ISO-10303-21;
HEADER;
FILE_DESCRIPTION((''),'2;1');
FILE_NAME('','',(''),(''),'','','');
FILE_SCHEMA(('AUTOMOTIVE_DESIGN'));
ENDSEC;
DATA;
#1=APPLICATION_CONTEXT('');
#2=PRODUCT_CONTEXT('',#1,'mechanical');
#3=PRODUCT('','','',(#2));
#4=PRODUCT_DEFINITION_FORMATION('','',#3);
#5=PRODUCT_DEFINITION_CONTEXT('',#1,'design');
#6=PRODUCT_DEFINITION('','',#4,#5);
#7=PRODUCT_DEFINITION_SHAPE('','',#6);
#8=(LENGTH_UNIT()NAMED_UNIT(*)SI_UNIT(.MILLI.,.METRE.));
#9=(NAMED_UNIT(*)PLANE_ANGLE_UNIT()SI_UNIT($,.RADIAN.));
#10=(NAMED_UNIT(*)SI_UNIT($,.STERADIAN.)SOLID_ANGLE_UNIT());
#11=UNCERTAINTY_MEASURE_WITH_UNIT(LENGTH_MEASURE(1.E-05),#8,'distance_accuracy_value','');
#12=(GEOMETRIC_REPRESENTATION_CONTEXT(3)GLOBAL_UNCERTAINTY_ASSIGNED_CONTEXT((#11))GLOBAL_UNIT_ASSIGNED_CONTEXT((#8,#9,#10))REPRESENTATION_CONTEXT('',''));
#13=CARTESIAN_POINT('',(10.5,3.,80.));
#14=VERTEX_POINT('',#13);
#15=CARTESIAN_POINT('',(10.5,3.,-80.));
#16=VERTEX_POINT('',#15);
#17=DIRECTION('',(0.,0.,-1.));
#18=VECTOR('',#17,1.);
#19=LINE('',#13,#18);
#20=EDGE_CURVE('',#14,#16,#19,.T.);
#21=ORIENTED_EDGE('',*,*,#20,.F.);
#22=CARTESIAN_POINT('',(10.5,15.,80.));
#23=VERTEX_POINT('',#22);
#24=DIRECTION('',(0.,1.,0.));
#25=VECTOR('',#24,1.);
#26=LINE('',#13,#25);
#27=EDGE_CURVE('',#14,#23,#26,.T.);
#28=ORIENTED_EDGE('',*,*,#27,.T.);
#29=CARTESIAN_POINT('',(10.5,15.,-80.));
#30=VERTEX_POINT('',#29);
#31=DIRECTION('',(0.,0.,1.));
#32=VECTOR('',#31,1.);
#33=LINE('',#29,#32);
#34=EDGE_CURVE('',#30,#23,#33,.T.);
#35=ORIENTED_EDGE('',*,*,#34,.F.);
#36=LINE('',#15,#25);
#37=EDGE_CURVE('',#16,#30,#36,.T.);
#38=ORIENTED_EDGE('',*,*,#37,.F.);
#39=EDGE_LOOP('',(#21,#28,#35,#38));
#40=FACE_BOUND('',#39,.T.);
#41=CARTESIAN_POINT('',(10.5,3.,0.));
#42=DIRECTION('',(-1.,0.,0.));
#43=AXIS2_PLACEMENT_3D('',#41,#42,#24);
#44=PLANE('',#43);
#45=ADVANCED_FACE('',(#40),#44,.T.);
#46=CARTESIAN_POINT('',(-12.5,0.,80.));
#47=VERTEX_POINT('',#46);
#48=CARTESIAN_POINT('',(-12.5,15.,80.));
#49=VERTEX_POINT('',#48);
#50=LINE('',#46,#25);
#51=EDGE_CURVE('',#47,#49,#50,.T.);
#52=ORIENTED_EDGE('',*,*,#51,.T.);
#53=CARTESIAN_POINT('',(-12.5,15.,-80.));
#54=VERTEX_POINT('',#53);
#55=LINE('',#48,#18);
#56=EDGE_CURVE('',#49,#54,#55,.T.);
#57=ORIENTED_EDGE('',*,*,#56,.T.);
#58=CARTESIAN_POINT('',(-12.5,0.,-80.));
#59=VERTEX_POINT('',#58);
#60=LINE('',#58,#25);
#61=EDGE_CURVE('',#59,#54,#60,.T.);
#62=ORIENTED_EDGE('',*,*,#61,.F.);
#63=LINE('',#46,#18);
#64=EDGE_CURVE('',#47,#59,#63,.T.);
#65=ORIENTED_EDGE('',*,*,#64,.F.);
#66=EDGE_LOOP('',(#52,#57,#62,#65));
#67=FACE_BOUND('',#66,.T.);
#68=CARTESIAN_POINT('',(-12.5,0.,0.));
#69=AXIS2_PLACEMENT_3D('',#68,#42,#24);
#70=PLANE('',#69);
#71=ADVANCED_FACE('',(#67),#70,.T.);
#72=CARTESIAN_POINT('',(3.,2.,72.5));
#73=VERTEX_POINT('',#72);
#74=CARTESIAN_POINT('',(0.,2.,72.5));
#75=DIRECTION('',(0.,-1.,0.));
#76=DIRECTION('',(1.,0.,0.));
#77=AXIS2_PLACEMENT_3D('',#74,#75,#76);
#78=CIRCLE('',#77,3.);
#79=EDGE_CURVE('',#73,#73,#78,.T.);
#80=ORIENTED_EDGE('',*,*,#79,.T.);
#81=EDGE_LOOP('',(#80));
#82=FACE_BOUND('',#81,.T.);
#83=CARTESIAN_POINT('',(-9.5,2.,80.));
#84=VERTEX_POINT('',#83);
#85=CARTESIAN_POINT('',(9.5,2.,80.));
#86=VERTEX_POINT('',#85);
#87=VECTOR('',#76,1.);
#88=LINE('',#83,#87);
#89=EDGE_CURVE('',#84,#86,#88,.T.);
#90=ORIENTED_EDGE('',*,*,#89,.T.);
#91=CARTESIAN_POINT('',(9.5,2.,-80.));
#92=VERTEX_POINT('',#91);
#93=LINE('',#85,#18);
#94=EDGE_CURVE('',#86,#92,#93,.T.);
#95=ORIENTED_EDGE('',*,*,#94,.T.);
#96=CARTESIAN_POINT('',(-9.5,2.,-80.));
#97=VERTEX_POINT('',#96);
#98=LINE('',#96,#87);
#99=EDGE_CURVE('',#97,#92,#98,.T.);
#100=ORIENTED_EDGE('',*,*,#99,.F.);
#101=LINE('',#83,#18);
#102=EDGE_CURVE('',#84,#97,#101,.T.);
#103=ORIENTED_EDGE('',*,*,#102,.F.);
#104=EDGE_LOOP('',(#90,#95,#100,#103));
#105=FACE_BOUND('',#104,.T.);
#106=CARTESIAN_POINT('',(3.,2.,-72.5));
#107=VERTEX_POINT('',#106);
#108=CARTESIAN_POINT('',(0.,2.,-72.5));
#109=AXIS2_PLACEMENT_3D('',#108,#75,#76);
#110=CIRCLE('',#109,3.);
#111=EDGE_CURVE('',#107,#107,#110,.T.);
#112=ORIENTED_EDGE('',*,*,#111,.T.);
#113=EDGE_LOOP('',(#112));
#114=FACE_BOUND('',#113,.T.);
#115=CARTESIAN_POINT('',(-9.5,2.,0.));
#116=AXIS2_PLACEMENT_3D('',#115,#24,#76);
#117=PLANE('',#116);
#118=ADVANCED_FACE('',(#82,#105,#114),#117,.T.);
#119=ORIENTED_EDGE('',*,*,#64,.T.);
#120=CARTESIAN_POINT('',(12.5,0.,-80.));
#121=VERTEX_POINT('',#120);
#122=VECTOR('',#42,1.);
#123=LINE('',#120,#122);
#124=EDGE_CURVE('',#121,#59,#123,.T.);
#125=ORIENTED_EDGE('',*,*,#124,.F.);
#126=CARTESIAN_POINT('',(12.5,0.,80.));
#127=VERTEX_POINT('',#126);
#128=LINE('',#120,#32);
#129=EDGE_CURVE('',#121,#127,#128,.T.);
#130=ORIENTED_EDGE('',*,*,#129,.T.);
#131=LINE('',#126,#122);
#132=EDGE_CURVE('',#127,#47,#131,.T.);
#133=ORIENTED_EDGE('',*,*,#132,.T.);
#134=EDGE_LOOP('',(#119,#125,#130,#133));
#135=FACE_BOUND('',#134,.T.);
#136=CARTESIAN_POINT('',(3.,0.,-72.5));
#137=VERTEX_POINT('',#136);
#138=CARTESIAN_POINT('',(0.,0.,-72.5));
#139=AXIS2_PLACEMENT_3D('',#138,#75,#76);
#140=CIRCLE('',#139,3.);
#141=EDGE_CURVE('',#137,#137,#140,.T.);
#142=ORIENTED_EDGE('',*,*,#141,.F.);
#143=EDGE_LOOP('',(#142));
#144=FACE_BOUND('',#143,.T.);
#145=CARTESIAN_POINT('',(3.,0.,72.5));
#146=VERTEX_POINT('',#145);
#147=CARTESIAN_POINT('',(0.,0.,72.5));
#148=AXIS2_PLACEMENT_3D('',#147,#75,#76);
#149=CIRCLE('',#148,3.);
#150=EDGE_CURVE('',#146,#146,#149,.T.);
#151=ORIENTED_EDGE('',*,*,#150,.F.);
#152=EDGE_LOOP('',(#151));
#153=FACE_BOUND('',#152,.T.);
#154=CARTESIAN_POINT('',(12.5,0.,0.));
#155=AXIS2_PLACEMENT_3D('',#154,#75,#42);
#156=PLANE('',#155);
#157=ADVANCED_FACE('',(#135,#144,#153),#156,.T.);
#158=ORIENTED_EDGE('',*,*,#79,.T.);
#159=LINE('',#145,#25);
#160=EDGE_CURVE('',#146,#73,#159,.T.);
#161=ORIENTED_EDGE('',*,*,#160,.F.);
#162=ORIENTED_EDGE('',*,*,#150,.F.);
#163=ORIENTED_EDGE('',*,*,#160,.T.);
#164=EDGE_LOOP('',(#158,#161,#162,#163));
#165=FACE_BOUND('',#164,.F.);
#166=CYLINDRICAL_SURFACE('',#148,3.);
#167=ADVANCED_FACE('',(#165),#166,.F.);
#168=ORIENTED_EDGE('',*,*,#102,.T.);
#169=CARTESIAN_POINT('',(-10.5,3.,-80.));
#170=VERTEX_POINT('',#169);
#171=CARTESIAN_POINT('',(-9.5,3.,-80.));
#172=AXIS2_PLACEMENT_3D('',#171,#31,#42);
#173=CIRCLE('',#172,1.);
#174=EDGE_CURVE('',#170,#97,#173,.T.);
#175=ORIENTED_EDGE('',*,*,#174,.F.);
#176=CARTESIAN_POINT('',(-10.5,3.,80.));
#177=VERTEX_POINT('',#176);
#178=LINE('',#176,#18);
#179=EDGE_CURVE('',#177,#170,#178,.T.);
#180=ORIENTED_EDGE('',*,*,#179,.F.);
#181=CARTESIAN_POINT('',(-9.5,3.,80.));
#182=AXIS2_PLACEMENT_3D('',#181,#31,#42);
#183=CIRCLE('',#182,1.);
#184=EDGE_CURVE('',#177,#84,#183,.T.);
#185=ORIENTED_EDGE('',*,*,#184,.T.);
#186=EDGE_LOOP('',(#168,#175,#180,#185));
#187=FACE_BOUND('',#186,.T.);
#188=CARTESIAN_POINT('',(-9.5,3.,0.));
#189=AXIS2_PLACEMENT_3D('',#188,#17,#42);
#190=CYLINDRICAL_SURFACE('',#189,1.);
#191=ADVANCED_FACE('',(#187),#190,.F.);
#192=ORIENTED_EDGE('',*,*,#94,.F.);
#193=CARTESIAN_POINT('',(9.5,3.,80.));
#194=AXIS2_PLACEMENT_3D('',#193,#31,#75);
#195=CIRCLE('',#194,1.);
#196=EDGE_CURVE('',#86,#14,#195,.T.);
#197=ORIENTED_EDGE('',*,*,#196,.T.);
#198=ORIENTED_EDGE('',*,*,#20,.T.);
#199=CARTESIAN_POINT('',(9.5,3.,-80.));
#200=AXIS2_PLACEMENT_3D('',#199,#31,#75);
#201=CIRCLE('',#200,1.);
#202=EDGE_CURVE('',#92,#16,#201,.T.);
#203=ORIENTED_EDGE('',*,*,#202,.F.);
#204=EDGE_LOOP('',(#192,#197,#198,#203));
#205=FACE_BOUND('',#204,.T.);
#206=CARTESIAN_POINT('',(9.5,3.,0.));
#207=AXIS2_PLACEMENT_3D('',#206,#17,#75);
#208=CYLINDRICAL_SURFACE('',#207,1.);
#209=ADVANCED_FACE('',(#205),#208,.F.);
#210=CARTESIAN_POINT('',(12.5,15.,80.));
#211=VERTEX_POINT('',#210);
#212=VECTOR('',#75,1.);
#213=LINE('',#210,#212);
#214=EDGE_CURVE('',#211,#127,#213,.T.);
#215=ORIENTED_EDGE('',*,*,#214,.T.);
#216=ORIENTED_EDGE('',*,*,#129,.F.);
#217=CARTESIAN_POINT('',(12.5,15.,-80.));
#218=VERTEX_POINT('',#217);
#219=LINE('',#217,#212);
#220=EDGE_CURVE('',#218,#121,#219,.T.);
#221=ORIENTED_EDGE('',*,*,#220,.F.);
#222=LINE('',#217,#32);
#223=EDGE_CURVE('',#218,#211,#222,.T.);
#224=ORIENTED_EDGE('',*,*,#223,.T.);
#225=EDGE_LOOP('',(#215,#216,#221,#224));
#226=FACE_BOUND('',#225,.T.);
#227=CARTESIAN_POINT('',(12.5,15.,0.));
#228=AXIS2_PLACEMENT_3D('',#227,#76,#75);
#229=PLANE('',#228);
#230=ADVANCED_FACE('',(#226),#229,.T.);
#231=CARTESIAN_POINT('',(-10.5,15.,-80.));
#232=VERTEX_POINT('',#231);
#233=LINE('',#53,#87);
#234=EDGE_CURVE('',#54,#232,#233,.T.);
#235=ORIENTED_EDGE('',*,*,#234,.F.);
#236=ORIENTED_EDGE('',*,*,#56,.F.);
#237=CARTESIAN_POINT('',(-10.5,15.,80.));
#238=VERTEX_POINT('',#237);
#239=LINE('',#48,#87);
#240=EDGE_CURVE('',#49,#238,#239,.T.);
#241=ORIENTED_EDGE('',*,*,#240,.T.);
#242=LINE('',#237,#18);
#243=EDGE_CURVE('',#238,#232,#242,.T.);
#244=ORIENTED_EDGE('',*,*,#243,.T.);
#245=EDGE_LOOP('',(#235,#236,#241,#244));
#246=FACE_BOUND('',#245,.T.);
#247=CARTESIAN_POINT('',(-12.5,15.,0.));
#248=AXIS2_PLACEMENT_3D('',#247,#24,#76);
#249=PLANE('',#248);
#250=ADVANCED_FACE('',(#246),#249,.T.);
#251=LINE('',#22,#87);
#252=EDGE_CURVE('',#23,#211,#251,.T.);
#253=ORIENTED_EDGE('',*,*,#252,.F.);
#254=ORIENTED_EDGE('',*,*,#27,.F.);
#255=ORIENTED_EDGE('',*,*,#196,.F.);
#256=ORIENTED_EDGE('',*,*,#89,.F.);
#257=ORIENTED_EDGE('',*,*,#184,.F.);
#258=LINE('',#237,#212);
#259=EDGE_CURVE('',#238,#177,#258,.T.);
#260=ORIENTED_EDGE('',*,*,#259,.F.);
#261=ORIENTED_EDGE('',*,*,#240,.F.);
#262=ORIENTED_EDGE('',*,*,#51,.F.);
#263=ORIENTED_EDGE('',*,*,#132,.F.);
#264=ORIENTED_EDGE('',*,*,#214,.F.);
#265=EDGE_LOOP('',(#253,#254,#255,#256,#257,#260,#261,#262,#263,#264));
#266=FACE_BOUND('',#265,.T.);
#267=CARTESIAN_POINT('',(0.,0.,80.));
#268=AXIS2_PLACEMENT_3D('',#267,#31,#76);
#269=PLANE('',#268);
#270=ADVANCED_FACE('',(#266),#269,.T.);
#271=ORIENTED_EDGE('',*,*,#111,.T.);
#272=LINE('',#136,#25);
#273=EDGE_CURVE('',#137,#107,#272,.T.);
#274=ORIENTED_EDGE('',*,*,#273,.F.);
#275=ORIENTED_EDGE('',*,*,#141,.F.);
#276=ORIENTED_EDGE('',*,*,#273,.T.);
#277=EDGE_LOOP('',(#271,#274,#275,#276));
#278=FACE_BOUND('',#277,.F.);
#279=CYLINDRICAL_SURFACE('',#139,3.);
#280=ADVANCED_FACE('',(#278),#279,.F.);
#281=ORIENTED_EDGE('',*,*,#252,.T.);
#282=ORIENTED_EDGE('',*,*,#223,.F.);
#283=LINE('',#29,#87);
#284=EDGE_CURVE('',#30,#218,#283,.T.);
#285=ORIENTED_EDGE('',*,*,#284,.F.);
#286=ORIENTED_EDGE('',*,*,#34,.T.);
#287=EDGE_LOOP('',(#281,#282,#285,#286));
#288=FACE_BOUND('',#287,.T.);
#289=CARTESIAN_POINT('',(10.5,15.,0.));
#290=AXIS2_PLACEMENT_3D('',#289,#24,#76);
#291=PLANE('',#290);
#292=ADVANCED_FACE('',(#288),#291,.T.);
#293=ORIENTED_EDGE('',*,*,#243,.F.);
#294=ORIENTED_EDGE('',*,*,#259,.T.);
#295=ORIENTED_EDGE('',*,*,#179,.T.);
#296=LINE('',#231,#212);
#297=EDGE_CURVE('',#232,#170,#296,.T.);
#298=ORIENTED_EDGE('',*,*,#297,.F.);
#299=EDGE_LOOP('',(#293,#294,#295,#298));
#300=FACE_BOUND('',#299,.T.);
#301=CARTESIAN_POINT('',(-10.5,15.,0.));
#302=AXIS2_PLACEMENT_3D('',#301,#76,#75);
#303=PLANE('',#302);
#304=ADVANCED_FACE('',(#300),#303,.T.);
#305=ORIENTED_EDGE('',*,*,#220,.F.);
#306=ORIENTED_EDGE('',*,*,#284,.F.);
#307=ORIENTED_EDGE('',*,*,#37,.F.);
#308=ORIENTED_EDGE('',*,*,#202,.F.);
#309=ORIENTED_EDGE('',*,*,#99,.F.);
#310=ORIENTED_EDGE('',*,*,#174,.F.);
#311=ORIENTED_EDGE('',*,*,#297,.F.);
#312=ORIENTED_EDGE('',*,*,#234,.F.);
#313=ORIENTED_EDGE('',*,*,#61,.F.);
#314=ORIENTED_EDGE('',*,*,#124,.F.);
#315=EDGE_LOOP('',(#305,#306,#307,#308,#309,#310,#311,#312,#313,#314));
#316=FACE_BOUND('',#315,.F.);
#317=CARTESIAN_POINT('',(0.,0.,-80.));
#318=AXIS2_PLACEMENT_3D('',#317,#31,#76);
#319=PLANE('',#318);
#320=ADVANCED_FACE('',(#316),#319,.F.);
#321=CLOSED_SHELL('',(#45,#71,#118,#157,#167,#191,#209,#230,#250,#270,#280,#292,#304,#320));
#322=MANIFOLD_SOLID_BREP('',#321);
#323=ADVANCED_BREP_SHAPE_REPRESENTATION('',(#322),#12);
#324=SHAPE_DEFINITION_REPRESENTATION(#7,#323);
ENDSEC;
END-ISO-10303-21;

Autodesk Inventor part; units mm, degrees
ref_plane "YZ Plane" through (0, 0, 0) normal (1, 0, 0) x (0, 1, 0)
ref_plane "XZ Plane" through (0, 0, 0) normal (0, 1, 0) x (-1, 0, 0)
ref_plane "XY Plane" through (0, 0, 0) normal (0, 0, 1) x (1, 0, 0)
sketch "Szkic1" plane through (0, 0, 0) normal (0, 0, 1) x (1, 0, 0)
  line L0 (12.5, 0) -> (-12.5, 0)
  line L1 (-12.5, 0) -> (-12.5, 15)
  line L2 (12.5, 15) -> (12.5, 0)
  line L3 (-9.5, 2) -> (9.5, 2)
  line L4 (-12.5, 15) -> (-10.5, 15)
  line L5 (10.5, 15) -> (12.5, 15)
  line L6 (-10.5, 15) -> (-10.5, 3)
  line L7 (10.5, 3) -> (10.5, 15)
  arc A0 (-10.5, 3) -> (-9.5, 2) centre (-9.5, 3) ccw
  arc A1 (9.5, 2) -> (10.5, 3) centre (9.5, 3) ccw
  dimension "d2" = 25
  dimension "d3" = 15
  dimension "d5" = 1
extrude "Wyciągnięcie proste1" add sketch "Szkic1" along normal mid plane 160
sketch "Szkic2" plane through (-12.5, 0, 80) normal (0, -1, 0) x (1, 0, 0)
  circle A0 centre (12.5, -7.5) radius 3
  circle A1 centre (12.5, -152.5) radius 3
  line L0 (0, 0) -> (0, -160) projected
  line L1 (25, -160) -> (0, -160) projected
  line L2 (0, 0) -> (25, 0) projected
  dimension "d17" = 6
  dimension "d18" = 6
  dimension "d19" = 12.5
  dimension "d20" = 12.5
  dimension "d21" = 145
  dimension "d22" = 160
  dimension "d23" = 7.5
extrude "Wyciągnięcie proste2" cut sketch "Szkic2" against normal blind 10
equation "\"d20\" = d19"
equation "\"d23\" = -0.5 * d21 + 0.5 * d22"
properties part number "ceownik-pedal" material "Aluminium"
